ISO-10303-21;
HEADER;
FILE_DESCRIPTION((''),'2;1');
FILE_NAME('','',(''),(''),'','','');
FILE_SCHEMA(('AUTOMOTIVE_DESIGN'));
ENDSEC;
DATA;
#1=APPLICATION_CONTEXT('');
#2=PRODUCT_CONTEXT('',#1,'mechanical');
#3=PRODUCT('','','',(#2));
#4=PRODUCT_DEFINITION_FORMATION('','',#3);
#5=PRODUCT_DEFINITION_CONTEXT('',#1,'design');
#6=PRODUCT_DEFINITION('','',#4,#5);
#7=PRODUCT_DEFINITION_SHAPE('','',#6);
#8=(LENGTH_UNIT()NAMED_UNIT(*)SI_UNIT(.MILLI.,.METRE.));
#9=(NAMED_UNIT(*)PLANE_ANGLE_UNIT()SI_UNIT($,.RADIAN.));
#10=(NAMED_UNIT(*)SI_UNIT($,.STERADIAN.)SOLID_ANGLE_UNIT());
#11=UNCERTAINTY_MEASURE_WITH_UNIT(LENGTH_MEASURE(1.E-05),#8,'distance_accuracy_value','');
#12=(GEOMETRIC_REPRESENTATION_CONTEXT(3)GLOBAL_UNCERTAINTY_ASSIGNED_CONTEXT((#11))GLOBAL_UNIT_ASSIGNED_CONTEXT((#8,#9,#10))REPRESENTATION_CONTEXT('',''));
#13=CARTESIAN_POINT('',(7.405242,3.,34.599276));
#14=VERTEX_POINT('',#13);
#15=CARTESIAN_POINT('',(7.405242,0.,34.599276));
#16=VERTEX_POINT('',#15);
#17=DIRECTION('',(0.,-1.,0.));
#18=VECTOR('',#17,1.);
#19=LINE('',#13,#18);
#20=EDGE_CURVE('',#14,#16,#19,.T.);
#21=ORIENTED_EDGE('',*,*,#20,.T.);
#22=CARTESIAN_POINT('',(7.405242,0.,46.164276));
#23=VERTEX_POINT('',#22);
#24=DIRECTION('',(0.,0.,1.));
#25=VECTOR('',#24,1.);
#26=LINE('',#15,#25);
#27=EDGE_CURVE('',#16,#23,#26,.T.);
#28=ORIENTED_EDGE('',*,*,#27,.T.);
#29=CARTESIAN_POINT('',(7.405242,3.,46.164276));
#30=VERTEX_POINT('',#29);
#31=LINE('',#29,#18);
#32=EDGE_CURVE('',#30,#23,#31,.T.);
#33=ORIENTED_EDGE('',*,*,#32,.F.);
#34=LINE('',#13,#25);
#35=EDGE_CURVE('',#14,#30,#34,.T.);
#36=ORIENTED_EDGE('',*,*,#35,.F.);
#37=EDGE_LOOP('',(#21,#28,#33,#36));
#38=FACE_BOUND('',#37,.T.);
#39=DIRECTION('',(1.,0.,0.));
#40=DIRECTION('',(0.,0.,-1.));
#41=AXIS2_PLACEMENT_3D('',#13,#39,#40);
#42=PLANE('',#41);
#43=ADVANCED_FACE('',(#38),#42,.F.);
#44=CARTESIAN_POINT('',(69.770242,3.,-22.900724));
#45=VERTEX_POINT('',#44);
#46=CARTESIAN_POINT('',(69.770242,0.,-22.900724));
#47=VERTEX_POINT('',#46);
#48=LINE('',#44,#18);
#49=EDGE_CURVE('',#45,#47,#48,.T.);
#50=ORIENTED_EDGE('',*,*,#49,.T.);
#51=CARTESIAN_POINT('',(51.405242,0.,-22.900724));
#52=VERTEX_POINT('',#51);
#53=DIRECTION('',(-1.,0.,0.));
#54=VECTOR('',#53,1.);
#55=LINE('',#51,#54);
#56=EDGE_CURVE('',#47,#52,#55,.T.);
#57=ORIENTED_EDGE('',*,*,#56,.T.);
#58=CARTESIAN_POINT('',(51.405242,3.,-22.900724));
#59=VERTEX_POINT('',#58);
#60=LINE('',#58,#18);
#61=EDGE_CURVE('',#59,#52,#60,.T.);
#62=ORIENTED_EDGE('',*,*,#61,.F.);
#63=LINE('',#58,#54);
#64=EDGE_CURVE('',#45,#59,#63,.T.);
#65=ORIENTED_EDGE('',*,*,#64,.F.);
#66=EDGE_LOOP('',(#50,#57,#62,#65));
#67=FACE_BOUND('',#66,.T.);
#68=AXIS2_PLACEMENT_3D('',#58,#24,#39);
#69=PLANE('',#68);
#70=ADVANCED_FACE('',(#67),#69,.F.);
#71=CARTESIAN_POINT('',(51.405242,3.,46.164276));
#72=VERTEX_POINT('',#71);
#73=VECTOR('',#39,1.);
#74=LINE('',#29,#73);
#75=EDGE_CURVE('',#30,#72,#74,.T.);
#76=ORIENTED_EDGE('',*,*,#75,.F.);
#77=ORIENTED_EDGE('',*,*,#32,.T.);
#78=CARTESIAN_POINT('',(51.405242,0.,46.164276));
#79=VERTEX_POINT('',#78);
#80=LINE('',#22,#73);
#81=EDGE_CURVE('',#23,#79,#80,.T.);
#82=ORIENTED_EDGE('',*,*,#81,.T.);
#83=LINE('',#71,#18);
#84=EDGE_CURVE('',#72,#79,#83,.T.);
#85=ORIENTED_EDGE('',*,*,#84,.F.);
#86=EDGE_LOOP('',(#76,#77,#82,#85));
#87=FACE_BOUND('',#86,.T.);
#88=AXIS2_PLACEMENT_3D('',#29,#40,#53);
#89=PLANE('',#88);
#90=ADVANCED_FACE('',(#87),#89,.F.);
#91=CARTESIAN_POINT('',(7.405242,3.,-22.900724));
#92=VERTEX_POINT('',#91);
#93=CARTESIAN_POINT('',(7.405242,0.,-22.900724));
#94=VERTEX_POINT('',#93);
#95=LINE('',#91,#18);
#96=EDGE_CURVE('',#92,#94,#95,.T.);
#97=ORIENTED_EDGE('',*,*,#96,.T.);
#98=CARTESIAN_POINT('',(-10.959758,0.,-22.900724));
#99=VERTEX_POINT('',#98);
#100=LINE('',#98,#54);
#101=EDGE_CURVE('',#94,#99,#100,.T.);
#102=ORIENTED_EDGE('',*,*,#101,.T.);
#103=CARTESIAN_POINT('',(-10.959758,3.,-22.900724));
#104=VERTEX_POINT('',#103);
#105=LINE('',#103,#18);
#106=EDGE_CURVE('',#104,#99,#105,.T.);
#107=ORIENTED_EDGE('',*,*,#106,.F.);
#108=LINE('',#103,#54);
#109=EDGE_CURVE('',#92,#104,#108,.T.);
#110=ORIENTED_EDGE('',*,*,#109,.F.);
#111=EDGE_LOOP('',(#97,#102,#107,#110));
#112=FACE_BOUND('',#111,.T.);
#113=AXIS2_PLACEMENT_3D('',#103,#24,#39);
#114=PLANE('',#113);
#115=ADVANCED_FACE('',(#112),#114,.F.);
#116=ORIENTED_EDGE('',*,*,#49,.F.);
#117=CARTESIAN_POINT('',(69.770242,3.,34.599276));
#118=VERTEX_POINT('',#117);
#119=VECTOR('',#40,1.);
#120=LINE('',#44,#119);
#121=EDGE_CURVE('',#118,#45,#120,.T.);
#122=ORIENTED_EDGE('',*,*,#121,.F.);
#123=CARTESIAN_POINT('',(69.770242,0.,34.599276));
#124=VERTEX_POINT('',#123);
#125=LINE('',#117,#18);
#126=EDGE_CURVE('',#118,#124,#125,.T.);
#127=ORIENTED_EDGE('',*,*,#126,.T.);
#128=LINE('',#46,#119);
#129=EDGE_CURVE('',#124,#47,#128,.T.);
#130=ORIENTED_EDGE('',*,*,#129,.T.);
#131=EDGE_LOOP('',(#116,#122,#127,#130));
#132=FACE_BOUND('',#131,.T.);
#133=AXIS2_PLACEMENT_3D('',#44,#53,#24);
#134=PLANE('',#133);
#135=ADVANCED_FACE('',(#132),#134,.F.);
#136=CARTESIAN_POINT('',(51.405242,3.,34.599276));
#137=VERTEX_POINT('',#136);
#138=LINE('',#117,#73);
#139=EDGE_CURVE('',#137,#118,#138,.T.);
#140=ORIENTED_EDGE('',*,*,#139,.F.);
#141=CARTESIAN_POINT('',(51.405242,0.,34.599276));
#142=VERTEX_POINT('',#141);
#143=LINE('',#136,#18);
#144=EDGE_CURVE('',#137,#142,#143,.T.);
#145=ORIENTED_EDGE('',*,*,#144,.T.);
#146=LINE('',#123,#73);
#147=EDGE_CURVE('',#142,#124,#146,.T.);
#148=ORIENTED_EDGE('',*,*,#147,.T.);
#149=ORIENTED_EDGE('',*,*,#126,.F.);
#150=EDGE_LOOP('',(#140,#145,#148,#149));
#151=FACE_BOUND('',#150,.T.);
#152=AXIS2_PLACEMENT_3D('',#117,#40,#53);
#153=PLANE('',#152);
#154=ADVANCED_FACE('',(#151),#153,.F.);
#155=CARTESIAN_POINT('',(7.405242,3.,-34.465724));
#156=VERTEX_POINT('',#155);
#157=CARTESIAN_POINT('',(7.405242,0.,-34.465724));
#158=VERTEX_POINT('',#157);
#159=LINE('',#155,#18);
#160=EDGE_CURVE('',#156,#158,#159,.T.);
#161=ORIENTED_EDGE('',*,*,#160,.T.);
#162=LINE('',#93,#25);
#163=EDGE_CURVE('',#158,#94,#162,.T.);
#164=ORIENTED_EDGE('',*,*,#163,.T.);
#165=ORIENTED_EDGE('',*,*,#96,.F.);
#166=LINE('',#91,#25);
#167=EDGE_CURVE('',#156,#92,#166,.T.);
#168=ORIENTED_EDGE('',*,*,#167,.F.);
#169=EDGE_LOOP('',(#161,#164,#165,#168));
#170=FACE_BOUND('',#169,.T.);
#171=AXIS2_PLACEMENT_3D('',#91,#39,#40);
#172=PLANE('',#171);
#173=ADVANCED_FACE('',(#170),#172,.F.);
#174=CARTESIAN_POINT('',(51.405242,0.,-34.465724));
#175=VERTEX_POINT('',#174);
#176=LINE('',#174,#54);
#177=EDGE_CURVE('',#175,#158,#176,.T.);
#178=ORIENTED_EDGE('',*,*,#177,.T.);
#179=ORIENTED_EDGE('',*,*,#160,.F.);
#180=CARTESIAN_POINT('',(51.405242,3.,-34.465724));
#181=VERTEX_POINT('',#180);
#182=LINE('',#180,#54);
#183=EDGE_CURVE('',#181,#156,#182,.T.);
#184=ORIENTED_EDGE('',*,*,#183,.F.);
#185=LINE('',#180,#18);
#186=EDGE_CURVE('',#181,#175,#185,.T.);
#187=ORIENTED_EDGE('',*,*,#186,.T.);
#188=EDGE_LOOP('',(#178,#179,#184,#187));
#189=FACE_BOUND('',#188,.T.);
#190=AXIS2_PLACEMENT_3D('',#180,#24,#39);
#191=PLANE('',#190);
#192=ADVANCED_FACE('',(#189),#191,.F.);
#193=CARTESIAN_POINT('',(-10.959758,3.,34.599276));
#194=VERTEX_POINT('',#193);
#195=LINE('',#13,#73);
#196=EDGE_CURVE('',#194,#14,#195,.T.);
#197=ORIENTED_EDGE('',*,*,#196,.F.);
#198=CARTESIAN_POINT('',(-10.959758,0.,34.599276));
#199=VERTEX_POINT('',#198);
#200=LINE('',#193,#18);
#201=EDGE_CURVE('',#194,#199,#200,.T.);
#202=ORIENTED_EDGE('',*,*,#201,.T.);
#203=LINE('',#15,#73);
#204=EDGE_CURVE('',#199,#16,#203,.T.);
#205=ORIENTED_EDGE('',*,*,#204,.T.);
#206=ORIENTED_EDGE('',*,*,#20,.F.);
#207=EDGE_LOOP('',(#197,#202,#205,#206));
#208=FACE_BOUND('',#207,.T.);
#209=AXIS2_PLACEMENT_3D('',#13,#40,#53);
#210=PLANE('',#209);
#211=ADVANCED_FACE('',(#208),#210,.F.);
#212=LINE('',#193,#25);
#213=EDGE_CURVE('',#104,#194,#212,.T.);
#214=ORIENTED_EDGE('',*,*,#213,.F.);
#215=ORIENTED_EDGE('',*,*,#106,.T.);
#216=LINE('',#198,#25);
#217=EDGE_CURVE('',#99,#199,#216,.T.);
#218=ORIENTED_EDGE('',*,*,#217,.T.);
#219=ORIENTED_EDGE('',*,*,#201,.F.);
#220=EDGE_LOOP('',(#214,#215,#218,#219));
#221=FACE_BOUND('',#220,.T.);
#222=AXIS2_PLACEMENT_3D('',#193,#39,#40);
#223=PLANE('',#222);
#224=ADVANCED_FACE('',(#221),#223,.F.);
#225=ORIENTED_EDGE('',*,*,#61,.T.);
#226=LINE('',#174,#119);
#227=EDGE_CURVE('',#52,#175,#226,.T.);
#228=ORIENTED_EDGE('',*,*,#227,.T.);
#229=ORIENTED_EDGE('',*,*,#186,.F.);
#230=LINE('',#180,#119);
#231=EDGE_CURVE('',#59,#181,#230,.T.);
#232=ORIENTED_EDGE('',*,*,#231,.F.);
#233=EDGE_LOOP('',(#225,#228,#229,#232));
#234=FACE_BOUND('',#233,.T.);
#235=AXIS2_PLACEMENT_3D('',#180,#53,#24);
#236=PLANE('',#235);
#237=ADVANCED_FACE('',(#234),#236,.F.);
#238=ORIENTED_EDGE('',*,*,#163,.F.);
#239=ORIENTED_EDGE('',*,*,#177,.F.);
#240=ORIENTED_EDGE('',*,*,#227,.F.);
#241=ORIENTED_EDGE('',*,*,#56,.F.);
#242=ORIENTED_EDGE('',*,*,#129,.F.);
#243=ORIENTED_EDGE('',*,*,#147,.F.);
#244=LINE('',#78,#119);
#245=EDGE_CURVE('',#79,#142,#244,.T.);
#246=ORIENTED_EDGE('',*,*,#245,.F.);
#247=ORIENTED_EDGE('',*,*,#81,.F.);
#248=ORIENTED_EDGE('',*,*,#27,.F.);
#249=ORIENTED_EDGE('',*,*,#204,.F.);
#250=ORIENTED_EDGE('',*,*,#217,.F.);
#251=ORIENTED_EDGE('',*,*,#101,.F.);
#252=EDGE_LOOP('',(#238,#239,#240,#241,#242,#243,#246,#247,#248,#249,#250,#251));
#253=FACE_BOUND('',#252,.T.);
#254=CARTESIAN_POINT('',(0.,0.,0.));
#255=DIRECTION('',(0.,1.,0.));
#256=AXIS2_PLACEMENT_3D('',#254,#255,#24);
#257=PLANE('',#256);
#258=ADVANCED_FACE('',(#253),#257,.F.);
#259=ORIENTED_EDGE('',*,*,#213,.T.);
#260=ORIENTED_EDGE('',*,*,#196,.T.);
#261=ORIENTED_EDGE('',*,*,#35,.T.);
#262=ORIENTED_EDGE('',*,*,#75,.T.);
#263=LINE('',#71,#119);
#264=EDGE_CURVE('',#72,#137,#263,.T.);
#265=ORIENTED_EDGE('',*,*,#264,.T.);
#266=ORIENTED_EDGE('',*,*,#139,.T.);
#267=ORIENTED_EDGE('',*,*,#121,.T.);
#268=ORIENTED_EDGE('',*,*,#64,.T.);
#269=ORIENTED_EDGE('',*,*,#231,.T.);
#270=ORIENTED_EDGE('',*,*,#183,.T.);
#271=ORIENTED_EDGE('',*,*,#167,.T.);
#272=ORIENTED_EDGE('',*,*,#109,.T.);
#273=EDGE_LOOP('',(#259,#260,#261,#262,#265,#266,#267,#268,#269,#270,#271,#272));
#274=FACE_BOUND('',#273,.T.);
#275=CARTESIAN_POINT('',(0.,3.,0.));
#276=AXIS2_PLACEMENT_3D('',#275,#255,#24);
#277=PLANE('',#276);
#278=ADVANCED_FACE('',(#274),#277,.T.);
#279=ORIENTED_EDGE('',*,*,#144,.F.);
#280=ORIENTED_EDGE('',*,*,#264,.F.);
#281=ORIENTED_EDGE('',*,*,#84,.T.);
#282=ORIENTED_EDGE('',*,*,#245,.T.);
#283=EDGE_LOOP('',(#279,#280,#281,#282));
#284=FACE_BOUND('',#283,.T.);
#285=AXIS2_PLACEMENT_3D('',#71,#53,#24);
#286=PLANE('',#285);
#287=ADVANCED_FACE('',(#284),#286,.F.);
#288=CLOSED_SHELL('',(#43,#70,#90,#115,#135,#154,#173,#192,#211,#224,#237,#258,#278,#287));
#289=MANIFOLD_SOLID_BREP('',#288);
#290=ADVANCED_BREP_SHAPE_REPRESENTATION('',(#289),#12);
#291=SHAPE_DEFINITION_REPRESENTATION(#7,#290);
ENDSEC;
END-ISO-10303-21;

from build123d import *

# Parameters (mm, degrees)
BOSS_EXTRUDE1_DEPTH = 3


with BuildPart() as part:
    # Sketch1 → Boss-Extrude1 (new body)
    with BuildSketch(Plane(origin=(0, 0, 0), x_dir=(1, 0, 0), z_dir=(0, 1, 0))):
        Polygon((7.405241741, -46.164275874), (51.405241741, -46.164275874), (51.405241741, -34.599275874), (69.770241741, -34.599275874), (69.770241741, 22.900724126), (51.405241741, 22.900724126), (51.405241741, 34.465724126), (7.405241741, 34.465724126), (7.405241741, 22.900724126), (-10.959758259, 22.900724126), (-10.959758259, -34.599275874), (7.405241741, -34.599275874), align=None)
    extrude(amount=BOSS_EXTRUDE1_DEPTH)


solid = part.part
